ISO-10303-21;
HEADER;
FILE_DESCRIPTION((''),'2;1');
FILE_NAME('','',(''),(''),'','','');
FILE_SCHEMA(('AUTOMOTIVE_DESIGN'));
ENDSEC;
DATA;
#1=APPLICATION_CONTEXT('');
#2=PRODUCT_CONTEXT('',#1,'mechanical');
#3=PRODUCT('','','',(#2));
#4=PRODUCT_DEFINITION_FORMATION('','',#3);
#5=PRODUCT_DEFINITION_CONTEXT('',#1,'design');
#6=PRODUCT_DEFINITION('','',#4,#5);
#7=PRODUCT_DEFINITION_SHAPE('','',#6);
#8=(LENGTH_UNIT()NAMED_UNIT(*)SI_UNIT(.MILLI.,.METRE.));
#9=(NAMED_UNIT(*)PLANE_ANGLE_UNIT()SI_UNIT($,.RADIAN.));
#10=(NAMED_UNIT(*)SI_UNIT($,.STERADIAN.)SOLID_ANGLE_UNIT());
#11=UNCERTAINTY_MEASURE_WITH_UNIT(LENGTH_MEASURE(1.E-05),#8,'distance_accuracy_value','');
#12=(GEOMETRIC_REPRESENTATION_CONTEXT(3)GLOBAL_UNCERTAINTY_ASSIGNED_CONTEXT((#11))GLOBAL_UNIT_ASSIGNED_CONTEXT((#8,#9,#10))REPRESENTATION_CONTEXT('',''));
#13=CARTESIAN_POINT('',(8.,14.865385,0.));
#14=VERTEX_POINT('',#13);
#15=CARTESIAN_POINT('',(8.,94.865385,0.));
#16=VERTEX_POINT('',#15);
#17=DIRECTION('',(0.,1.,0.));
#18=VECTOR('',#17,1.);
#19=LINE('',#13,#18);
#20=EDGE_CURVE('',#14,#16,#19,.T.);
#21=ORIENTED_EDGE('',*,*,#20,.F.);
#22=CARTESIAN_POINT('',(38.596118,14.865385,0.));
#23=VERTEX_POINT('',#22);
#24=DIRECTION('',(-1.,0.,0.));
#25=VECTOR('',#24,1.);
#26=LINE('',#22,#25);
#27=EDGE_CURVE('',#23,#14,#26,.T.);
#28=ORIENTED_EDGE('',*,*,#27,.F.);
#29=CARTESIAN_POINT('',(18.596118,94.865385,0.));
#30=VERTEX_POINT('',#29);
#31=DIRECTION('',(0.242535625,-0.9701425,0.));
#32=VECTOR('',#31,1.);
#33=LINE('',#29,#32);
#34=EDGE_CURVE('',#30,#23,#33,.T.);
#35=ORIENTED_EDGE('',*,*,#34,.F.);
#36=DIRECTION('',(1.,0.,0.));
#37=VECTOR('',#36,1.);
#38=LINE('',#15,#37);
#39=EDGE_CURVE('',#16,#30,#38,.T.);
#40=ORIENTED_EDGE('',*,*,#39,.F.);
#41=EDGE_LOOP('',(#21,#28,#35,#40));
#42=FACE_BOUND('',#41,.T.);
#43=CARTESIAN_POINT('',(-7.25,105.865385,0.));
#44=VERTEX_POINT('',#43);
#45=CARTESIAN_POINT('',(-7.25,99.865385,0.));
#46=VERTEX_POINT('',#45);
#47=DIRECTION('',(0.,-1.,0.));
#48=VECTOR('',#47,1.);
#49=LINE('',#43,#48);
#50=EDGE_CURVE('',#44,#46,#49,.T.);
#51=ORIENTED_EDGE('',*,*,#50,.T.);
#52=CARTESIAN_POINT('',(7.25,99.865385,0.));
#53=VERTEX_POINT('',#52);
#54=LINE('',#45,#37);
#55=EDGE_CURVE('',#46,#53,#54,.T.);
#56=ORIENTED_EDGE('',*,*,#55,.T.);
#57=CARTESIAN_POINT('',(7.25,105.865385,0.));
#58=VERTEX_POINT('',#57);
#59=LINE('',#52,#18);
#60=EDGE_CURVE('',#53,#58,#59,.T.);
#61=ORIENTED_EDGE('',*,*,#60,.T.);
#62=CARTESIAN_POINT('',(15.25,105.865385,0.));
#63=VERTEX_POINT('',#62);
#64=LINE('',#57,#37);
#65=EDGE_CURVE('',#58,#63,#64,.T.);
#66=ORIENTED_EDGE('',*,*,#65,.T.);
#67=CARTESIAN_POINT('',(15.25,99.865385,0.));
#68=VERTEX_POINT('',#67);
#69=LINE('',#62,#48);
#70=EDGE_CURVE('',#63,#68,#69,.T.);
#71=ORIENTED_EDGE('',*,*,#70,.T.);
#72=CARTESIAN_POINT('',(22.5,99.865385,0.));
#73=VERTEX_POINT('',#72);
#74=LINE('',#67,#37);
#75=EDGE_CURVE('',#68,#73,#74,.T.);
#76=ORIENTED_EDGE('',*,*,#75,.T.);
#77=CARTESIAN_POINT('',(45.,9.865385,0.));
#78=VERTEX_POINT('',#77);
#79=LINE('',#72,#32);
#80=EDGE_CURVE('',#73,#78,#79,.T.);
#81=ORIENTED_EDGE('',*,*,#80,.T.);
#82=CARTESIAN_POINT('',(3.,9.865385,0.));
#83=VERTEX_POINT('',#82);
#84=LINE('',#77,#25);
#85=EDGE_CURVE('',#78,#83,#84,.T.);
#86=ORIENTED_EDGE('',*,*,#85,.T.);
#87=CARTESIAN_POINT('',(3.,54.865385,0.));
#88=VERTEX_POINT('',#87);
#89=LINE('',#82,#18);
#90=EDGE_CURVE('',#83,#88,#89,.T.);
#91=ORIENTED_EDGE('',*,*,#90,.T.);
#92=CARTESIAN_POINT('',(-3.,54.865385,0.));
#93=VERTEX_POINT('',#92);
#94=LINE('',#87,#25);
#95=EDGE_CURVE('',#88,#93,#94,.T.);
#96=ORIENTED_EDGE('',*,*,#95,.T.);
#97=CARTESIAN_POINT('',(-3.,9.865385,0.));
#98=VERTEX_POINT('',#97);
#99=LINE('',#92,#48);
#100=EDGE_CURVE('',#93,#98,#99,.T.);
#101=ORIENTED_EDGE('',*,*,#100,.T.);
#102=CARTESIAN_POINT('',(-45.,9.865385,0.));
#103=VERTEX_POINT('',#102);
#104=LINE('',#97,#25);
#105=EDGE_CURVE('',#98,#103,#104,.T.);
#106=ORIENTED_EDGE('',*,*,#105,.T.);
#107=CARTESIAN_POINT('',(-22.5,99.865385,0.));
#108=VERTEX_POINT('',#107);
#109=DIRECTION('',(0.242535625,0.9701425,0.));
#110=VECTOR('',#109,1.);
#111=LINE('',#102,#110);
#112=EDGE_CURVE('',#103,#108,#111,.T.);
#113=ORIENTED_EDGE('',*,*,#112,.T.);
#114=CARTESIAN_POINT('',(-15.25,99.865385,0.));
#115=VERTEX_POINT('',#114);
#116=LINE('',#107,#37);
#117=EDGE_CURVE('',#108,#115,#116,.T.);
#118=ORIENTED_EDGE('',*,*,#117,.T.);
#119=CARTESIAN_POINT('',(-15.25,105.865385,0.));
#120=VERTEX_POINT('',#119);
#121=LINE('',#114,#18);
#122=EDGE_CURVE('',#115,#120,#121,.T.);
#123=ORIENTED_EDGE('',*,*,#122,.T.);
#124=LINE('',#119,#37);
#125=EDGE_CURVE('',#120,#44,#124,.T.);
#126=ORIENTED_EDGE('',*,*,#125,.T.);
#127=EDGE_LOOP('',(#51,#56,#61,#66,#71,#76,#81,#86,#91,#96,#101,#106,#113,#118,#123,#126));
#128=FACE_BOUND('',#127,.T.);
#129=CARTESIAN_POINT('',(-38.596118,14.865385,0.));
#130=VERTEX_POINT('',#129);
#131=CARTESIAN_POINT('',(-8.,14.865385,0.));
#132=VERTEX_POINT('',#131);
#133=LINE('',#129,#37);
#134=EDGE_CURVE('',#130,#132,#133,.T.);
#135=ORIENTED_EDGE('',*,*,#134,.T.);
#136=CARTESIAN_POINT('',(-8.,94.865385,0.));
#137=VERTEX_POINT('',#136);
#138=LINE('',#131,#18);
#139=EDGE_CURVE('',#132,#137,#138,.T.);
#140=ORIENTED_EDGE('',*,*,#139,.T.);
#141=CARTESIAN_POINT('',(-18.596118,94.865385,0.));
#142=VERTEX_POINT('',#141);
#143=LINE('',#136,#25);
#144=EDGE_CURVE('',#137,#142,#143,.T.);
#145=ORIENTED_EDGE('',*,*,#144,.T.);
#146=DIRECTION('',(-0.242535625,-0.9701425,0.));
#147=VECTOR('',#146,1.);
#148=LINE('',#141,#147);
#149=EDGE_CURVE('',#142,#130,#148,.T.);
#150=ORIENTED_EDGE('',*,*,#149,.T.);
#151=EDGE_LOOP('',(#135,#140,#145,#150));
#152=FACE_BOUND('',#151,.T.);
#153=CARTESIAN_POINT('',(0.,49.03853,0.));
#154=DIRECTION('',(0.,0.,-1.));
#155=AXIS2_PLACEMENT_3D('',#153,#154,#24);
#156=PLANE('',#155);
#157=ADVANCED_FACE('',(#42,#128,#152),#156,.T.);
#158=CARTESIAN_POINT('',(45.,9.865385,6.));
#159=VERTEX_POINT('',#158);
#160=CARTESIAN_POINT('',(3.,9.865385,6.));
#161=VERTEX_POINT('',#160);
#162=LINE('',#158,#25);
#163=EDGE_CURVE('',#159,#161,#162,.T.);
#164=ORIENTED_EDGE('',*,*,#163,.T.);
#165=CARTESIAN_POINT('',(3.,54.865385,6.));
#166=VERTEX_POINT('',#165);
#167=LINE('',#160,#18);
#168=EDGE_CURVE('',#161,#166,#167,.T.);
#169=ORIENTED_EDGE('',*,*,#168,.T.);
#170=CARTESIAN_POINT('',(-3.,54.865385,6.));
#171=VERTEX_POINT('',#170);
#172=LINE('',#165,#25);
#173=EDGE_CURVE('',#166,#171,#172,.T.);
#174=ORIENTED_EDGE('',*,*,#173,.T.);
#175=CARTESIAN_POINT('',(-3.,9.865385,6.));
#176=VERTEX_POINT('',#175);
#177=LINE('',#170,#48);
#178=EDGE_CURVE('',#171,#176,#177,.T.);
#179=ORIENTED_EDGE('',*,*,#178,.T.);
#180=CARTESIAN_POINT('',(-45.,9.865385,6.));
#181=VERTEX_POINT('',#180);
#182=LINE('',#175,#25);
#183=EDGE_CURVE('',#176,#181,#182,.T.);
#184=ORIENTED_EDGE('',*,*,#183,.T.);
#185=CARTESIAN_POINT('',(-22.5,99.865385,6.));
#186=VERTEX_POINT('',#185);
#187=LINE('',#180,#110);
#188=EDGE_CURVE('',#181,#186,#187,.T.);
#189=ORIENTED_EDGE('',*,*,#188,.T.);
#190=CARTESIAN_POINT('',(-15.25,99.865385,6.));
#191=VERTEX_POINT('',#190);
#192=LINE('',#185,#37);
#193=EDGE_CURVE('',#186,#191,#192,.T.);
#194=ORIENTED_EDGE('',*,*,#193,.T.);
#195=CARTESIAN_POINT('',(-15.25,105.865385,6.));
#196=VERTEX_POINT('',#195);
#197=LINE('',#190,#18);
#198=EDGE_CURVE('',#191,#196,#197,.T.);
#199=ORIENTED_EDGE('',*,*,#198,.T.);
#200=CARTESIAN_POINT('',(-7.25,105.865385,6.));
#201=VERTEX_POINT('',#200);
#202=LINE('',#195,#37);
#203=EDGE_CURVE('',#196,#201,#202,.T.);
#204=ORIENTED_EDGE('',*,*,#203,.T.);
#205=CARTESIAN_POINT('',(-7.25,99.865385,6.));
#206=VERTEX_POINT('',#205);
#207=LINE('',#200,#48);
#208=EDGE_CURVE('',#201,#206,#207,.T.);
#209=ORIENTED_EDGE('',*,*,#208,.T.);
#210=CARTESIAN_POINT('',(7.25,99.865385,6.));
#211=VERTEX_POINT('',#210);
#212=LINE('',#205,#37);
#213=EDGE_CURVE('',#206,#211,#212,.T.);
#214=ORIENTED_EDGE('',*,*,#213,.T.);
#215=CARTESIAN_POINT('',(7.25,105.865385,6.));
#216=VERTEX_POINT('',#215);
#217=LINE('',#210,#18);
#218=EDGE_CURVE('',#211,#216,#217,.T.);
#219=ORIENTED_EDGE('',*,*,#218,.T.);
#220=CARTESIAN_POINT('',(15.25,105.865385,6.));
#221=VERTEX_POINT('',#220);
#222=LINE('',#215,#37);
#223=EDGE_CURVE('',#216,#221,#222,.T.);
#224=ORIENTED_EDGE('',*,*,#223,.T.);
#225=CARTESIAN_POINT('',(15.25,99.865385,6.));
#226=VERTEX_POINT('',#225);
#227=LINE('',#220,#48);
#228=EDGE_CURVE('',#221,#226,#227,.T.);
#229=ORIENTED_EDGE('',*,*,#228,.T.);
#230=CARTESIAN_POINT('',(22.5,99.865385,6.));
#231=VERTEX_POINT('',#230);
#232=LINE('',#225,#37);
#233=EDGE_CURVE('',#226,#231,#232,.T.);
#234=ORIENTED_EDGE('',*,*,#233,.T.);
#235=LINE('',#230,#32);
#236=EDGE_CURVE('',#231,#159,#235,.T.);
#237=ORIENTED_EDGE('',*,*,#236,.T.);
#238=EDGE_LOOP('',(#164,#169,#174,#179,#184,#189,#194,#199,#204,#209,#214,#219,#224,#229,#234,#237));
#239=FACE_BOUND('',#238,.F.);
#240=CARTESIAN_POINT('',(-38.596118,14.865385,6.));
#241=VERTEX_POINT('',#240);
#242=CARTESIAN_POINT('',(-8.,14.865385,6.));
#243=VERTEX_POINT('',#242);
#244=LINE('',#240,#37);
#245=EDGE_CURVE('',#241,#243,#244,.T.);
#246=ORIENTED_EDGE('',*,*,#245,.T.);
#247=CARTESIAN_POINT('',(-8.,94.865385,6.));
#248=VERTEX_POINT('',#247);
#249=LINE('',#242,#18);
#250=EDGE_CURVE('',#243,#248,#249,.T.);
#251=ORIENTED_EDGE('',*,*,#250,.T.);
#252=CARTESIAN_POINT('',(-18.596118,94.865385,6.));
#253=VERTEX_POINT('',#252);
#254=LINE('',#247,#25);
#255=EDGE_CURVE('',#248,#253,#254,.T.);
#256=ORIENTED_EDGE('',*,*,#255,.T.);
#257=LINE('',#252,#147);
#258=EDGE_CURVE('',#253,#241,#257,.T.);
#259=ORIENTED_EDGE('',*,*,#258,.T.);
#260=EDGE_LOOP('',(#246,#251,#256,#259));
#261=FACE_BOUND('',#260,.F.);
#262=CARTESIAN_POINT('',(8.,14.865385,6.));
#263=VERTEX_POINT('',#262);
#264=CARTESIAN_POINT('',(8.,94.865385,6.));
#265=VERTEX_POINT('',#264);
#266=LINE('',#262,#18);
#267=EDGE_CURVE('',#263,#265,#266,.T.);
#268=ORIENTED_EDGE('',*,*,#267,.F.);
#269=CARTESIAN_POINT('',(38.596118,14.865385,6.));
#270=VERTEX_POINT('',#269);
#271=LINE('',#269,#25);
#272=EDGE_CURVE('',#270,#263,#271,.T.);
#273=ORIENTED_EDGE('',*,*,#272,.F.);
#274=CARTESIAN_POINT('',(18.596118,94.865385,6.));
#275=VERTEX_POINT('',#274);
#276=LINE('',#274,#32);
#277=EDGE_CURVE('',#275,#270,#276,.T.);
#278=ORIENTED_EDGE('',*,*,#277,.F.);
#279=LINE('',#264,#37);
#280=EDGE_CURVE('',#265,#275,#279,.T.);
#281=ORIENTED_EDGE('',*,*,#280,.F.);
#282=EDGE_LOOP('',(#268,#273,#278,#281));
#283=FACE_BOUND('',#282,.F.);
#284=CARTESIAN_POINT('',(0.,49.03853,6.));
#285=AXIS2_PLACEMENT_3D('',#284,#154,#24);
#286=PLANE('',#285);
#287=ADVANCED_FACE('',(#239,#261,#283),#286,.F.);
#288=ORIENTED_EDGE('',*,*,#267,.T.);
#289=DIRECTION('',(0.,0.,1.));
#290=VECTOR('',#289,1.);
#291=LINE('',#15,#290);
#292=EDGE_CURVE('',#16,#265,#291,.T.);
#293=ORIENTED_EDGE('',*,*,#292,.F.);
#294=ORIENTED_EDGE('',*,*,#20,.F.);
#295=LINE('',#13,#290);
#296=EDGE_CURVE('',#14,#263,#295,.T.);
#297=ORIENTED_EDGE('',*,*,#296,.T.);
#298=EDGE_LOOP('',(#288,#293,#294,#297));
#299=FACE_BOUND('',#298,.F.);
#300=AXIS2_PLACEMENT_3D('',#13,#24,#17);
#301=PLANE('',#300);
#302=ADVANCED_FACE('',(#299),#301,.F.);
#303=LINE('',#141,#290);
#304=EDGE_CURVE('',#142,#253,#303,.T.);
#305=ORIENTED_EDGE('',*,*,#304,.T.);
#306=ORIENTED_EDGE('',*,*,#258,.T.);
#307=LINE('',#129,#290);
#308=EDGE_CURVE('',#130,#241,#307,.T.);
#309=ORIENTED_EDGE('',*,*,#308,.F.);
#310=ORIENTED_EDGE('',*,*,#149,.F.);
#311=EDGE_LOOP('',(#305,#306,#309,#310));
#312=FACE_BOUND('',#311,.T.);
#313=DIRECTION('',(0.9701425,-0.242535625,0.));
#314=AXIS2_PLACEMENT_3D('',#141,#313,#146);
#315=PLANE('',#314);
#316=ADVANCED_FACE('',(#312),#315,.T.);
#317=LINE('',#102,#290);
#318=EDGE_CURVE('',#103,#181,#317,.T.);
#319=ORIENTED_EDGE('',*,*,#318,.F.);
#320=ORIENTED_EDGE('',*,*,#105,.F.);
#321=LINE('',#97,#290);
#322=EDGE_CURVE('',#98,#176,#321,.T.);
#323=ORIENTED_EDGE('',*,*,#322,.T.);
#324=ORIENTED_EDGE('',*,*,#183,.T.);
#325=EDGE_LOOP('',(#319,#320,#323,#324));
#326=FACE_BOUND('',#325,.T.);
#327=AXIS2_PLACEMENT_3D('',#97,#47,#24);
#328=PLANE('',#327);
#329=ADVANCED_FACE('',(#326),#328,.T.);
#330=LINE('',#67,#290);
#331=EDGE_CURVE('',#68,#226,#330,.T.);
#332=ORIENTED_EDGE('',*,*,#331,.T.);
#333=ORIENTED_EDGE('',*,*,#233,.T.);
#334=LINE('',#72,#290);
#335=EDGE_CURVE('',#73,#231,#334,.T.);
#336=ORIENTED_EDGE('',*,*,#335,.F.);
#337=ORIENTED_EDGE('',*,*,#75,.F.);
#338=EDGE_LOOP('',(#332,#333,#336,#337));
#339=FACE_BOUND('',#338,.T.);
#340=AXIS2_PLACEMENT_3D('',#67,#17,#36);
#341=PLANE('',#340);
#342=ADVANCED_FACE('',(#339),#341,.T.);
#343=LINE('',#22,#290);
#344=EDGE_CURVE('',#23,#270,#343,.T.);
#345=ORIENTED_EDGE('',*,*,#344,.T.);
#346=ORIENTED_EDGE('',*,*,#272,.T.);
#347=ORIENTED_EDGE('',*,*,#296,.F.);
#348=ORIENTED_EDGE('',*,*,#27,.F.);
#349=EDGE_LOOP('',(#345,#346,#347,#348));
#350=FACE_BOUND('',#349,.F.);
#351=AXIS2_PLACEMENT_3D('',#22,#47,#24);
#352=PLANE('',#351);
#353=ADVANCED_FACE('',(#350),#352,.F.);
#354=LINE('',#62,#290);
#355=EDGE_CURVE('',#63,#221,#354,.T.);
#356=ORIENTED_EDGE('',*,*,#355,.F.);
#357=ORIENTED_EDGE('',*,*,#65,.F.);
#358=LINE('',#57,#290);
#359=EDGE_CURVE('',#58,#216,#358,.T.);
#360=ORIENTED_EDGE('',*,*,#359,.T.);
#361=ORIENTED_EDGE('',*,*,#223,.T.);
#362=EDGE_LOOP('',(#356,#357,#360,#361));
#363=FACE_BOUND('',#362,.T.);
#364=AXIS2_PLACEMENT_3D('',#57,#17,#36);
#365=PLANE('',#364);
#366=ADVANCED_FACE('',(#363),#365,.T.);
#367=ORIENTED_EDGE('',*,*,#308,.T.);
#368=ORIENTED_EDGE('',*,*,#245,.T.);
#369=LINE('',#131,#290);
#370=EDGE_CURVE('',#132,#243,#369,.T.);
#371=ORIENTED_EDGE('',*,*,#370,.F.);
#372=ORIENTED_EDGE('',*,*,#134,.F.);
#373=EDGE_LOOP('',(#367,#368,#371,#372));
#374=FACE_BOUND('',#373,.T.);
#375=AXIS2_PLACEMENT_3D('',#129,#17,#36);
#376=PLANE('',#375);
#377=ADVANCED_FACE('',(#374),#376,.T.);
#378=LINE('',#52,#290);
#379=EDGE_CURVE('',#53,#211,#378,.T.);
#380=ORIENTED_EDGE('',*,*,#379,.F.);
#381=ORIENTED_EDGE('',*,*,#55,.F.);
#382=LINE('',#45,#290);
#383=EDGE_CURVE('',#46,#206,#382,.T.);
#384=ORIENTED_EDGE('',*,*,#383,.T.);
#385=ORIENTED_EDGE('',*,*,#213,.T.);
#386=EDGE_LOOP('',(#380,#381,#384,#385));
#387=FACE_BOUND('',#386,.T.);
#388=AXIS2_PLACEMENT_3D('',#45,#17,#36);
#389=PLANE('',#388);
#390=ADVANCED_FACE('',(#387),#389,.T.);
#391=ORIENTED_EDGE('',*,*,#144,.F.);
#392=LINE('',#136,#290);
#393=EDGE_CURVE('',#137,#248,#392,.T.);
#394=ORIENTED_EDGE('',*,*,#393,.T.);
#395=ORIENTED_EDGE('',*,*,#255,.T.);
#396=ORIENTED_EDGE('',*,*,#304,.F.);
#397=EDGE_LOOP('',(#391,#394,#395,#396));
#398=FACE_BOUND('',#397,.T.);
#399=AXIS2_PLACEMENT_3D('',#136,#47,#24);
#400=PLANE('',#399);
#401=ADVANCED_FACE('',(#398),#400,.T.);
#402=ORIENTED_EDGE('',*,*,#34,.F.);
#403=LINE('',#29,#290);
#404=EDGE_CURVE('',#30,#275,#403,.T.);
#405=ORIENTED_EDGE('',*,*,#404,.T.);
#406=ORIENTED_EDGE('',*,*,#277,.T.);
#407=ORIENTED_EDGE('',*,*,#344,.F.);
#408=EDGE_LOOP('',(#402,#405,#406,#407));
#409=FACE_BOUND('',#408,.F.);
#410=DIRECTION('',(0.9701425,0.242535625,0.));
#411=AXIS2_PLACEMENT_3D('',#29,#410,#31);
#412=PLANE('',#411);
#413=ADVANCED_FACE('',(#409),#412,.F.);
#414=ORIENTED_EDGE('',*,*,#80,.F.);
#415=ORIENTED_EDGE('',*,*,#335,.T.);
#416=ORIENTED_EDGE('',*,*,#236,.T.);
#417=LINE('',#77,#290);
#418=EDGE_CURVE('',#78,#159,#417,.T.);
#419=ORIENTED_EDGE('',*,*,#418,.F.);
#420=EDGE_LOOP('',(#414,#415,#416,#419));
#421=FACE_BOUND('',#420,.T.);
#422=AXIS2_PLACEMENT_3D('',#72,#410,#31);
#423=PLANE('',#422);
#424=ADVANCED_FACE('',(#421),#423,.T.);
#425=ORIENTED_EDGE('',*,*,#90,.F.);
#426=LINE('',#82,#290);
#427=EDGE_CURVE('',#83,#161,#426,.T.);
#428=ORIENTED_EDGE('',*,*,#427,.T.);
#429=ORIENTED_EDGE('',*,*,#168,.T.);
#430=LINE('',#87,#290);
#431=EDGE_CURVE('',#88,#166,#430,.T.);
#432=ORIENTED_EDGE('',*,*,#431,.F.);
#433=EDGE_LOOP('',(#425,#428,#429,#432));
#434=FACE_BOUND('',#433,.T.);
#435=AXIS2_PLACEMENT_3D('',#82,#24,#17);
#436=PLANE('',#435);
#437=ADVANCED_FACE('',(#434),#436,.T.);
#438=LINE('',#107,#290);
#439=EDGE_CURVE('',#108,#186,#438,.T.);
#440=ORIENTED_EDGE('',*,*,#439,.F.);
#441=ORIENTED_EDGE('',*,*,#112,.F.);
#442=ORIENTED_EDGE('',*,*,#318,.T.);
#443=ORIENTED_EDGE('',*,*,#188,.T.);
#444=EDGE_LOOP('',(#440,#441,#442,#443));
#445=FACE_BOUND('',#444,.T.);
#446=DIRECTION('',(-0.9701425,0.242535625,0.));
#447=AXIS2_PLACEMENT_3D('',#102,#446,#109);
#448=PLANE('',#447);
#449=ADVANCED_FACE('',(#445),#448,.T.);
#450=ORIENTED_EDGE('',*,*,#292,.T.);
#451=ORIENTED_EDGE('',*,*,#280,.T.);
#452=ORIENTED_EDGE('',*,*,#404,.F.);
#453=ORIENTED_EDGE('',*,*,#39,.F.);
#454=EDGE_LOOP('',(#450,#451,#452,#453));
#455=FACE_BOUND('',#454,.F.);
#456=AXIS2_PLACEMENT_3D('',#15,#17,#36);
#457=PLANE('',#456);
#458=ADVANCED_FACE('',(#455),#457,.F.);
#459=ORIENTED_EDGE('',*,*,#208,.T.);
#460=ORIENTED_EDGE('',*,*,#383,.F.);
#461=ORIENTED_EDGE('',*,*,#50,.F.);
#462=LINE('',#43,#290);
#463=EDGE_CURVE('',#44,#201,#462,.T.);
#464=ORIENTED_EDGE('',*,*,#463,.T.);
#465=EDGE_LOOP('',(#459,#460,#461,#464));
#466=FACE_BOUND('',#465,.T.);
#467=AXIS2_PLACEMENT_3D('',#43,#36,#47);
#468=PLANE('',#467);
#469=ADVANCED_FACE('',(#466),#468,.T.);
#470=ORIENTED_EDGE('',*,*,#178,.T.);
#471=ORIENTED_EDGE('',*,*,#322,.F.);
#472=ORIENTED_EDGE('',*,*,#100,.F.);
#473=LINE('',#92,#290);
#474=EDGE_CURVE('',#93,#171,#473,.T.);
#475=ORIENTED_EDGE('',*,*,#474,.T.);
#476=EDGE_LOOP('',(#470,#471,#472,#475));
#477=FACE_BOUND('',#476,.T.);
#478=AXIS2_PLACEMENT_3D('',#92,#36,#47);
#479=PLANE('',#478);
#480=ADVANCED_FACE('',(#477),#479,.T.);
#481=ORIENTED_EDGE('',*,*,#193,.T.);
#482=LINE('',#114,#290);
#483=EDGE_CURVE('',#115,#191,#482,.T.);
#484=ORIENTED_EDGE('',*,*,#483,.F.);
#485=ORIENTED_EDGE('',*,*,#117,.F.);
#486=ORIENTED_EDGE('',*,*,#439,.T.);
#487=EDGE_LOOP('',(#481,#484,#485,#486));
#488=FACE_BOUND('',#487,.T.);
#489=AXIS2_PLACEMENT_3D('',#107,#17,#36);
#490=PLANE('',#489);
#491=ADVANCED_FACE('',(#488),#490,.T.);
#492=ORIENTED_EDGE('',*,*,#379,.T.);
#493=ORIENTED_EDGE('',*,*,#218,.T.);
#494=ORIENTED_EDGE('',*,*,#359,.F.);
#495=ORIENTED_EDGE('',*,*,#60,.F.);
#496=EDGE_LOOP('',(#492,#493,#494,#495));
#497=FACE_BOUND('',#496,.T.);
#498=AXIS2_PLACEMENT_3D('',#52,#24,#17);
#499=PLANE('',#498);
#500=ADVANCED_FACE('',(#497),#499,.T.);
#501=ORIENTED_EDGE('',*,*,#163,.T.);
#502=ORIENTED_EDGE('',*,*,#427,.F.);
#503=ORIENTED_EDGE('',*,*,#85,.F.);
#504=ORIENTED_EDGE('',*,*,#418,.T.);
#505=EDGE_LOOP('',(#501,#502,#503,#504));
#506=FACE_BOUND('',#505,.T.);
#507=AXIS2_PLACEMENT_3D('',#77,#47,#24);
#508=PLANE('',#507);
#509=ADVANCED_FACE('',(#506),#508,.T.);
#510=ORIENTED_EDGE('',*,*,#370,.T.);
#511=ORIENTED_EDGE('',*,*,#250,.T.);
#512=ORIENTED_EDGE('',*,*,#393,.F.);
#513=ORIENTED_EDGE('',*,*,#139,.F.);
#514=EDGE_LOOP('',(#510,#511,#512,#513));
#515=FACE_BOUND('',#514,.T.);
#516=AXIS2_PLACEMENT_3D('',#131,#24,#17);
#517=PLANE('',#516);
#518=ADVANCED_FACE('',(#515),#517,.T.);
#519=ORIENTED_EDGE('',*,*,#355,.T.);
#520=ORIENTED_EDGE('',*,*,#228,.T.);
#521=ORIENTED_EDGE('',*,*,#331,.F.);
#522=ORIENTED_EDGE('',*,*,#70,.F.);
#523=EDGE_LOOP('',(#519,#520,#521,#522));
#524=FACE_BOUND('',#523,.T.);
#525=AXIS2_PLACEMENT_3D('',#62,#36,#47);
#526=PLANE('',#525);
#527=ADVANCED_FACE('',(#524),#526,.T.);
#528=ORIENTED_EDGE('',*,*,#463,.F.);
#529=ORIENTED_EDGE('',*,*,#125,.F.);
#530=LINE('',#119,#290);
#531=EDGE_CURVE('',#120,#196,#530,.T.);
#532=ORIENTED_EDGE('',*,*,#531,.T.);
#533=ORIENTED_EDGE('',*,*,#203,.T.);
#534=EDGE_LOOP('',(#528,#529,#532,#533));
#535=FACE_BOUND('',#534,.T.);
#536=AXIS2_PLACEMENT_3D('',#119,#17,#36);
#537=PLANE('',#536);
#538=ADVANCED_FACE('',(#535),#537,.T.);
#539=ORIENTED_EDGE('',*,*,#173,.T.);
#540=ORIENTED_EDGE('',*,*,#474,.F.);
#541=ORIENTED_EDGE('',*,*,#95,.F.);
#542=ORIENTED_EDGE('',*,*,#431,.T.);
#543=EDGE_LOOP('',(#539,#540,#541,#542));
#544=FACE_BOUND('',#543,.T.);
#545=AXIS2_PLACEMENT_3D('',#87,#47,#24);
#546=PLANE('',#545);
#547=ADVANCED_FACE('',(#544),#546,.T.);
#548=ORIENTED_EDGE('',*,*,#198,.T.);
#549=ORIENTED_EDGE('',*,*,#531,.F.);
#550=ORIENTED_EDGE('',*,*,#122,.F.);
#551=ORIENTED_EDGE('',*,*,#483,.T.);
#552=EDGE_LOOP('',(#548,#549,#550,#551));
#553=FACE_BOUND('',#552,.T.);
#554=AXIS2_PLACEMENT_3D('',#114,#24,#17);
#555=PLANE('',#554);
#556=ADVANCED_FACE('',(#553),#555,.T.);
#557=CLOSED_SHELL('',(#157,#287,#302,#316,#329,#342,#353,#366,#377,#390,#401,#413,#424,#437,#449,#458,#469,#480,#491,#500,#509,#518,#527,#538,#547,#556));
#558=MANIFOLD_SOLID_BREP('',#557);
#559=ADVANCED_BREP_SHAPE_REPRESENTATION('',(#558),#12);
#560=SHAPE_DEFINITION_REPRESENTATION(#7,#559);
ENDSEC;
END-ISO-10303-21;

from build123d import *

# Parameters (mm, degrees)
BOSS_EXTRUDE4_DEPTH = 6


with BuildPart() as part:
    # Sketch2 → Boss-Extrude4 (new body)
    with BuildSketch(Plane.XY):
        Polygon((45, 9.865384615), (3, 9.865384615), (3, 54.865384615), (-3, 54.865384615), (-3, 9.865384615), (-45, 9.865384615), (-22.5, 99.865384615), (-15.25, 99.865384615), (-15.25, 105.865384615), (-7.25, 105.865384615), (-7.25, 99.865384615), (7.25, 99.865384615), (7.25, 105.865384615), (15.25, 105.865384615), (15.25, 99.865384615), (22.5, 99.865384615), align=None)
        Polygon((-8, 94.865384615), (-18.596117968, 94.865384615), (-38.596117968, 14.865384615), (-8, 14.865384615), align=None, mode=Mode.SUBTRACT)
        Polygon((38.596117968, 14.865384615), (8, 14.865384615), (8, 94.865384615), (18.596117968, 94.865384615), align=None, mode=Mode.SUBTRACT)
    extrude(amount=BOSS_EXTRUDE4_DEPTH)


solid = part.part
